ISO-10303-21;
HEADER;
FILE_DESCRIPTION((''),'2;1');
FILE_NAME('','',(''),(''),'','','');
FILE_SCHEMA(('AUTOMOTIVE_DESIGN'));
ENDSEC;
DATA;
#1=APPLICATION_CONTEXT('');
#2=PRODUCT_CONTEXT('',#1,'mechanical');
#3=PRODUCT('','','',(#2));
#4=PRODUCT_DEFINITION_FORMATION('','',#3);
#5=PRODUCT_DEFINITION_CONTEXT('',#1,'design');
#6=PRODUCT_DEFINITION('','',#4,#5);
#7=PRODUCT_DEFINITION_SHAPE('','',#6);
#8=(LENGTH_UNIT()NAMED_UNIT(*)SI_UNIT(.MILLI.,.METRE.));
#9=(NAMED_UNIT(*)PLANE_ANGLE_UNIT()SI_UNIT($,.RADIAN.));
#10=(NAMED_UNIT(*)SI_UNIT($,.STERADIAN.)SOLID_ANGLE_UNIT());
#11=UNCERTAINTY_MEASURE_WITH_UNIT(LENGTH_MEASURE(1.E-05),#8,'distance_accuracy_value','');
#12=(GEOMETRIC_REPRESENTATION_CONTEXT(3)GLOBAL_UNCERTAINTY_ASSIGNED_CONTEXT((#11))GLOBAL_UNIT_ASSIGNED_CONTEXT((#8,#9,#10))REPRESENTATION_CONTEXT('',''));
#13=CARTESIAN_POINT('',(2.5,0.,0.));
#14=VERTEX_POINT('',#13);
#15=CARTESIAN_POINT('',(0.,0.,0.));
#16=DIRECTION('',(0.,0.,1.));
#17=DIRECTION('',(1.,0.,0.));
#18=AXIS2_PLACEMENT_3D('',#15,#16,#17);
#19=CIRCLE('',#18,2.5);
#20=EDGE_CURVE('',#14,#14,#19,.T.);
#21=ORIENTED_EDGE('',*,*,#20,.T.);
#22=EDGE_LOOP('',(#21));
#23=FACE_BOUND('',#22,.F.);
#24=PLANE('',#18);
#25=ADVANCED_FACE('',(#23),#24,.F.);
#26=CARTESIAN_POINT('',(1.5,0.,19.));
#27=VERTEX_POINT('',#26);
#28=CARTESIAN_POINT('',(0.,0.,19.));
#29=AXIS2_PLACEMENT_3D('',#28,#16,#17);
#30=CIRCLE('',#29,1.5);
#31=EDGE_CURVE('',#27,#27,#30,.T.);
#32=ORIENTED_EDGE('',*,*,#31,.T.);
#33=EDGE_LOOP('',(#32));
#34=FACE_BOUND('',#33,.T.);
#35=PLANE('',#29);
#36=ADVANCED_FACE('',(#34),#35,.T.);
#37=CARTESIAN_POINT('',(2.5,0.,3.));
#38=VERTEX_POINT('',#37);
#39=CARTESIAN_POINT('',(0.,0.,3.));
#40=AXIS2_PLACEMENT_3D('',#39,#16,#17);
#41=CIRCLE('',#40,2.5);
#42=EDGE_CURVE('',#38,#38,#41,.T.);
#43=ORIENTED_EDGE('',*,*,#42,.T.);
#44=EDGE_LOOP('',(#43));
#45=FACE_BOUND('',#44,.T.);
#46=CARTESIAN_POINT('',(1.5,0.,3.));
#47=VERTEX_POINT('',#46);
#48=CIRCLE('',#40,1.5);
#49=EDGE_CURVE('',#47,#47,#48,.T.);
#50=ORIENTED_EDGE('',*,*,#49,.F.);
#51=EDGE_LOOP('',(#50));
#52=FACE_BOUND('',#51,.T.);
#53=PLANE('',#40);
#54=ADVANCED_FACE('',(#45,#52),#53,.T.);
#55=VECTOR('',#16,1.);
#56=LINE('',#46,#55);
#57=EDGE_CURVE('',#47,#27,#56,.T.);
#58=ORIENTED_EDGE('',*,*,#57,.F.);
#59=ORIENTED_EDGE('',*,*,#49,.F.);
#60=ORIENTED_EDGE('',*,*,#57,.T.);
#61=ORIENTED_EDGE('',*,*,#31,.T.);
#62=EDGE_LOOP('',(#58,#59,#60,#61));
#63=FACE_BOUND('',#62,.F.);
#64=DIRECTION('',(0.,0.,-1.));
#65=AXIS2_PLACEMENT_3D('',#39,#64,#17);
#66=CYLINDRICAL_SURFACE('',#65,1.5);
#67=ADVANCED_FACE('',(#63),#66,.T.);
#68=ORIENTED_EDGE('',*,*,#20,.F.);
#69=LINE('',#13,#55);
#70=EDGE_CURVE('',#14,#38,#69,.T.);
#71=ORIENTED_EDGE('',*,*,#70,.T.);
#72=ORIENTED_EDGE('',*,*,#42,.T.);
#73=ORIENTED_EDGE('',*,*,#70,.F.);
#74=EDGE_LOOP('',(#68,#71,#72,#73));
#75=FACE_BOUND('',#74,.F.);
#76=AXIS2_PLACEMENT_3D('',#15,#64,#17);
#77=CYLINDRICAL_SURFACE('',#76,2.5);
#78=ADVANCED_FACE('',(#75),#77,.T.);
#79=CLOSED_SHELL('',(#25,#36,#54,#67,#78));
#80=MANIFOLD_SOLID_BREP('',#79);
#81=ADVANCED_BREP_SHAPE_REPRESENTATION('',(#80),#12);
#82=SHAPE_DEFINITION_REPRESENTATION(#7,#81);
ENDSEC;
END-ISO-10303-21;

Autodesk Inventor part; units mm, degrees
ref_plane "YZ Plane" through (0, 0, 0) normal (1, 0, 0) x (0, 1, 0)
ref_plane "XZ Plane" through (0, 0, 0) normal (0, 1, 0) x (-1, 0, 0)
ref_plane "XY Plane" through (0, 0, 0) normal (0, 0, 1) x (1, 0, 0)
sketch "スケッチ1" plane through (0, 0, 0) normal (0, 0, 1) x (1, 0, 0)
  circle A0 centre (0, 0) radius 2.5
  dimension "d0" = 5
extrude "押し出し1" add sketch "スケッチ1" along normal blind 3
sketch "スケッチ2" plane through (0, 0, 3) normal (0, 0, 1) x (1, 0, 0)
  circle A0 centre (0, 0) radius 1.5
  dimension "d3" = 3
extrude "押し出し2" add sketch "スケッチ2" along normal blind 16
properties part number "M3ネジ"
